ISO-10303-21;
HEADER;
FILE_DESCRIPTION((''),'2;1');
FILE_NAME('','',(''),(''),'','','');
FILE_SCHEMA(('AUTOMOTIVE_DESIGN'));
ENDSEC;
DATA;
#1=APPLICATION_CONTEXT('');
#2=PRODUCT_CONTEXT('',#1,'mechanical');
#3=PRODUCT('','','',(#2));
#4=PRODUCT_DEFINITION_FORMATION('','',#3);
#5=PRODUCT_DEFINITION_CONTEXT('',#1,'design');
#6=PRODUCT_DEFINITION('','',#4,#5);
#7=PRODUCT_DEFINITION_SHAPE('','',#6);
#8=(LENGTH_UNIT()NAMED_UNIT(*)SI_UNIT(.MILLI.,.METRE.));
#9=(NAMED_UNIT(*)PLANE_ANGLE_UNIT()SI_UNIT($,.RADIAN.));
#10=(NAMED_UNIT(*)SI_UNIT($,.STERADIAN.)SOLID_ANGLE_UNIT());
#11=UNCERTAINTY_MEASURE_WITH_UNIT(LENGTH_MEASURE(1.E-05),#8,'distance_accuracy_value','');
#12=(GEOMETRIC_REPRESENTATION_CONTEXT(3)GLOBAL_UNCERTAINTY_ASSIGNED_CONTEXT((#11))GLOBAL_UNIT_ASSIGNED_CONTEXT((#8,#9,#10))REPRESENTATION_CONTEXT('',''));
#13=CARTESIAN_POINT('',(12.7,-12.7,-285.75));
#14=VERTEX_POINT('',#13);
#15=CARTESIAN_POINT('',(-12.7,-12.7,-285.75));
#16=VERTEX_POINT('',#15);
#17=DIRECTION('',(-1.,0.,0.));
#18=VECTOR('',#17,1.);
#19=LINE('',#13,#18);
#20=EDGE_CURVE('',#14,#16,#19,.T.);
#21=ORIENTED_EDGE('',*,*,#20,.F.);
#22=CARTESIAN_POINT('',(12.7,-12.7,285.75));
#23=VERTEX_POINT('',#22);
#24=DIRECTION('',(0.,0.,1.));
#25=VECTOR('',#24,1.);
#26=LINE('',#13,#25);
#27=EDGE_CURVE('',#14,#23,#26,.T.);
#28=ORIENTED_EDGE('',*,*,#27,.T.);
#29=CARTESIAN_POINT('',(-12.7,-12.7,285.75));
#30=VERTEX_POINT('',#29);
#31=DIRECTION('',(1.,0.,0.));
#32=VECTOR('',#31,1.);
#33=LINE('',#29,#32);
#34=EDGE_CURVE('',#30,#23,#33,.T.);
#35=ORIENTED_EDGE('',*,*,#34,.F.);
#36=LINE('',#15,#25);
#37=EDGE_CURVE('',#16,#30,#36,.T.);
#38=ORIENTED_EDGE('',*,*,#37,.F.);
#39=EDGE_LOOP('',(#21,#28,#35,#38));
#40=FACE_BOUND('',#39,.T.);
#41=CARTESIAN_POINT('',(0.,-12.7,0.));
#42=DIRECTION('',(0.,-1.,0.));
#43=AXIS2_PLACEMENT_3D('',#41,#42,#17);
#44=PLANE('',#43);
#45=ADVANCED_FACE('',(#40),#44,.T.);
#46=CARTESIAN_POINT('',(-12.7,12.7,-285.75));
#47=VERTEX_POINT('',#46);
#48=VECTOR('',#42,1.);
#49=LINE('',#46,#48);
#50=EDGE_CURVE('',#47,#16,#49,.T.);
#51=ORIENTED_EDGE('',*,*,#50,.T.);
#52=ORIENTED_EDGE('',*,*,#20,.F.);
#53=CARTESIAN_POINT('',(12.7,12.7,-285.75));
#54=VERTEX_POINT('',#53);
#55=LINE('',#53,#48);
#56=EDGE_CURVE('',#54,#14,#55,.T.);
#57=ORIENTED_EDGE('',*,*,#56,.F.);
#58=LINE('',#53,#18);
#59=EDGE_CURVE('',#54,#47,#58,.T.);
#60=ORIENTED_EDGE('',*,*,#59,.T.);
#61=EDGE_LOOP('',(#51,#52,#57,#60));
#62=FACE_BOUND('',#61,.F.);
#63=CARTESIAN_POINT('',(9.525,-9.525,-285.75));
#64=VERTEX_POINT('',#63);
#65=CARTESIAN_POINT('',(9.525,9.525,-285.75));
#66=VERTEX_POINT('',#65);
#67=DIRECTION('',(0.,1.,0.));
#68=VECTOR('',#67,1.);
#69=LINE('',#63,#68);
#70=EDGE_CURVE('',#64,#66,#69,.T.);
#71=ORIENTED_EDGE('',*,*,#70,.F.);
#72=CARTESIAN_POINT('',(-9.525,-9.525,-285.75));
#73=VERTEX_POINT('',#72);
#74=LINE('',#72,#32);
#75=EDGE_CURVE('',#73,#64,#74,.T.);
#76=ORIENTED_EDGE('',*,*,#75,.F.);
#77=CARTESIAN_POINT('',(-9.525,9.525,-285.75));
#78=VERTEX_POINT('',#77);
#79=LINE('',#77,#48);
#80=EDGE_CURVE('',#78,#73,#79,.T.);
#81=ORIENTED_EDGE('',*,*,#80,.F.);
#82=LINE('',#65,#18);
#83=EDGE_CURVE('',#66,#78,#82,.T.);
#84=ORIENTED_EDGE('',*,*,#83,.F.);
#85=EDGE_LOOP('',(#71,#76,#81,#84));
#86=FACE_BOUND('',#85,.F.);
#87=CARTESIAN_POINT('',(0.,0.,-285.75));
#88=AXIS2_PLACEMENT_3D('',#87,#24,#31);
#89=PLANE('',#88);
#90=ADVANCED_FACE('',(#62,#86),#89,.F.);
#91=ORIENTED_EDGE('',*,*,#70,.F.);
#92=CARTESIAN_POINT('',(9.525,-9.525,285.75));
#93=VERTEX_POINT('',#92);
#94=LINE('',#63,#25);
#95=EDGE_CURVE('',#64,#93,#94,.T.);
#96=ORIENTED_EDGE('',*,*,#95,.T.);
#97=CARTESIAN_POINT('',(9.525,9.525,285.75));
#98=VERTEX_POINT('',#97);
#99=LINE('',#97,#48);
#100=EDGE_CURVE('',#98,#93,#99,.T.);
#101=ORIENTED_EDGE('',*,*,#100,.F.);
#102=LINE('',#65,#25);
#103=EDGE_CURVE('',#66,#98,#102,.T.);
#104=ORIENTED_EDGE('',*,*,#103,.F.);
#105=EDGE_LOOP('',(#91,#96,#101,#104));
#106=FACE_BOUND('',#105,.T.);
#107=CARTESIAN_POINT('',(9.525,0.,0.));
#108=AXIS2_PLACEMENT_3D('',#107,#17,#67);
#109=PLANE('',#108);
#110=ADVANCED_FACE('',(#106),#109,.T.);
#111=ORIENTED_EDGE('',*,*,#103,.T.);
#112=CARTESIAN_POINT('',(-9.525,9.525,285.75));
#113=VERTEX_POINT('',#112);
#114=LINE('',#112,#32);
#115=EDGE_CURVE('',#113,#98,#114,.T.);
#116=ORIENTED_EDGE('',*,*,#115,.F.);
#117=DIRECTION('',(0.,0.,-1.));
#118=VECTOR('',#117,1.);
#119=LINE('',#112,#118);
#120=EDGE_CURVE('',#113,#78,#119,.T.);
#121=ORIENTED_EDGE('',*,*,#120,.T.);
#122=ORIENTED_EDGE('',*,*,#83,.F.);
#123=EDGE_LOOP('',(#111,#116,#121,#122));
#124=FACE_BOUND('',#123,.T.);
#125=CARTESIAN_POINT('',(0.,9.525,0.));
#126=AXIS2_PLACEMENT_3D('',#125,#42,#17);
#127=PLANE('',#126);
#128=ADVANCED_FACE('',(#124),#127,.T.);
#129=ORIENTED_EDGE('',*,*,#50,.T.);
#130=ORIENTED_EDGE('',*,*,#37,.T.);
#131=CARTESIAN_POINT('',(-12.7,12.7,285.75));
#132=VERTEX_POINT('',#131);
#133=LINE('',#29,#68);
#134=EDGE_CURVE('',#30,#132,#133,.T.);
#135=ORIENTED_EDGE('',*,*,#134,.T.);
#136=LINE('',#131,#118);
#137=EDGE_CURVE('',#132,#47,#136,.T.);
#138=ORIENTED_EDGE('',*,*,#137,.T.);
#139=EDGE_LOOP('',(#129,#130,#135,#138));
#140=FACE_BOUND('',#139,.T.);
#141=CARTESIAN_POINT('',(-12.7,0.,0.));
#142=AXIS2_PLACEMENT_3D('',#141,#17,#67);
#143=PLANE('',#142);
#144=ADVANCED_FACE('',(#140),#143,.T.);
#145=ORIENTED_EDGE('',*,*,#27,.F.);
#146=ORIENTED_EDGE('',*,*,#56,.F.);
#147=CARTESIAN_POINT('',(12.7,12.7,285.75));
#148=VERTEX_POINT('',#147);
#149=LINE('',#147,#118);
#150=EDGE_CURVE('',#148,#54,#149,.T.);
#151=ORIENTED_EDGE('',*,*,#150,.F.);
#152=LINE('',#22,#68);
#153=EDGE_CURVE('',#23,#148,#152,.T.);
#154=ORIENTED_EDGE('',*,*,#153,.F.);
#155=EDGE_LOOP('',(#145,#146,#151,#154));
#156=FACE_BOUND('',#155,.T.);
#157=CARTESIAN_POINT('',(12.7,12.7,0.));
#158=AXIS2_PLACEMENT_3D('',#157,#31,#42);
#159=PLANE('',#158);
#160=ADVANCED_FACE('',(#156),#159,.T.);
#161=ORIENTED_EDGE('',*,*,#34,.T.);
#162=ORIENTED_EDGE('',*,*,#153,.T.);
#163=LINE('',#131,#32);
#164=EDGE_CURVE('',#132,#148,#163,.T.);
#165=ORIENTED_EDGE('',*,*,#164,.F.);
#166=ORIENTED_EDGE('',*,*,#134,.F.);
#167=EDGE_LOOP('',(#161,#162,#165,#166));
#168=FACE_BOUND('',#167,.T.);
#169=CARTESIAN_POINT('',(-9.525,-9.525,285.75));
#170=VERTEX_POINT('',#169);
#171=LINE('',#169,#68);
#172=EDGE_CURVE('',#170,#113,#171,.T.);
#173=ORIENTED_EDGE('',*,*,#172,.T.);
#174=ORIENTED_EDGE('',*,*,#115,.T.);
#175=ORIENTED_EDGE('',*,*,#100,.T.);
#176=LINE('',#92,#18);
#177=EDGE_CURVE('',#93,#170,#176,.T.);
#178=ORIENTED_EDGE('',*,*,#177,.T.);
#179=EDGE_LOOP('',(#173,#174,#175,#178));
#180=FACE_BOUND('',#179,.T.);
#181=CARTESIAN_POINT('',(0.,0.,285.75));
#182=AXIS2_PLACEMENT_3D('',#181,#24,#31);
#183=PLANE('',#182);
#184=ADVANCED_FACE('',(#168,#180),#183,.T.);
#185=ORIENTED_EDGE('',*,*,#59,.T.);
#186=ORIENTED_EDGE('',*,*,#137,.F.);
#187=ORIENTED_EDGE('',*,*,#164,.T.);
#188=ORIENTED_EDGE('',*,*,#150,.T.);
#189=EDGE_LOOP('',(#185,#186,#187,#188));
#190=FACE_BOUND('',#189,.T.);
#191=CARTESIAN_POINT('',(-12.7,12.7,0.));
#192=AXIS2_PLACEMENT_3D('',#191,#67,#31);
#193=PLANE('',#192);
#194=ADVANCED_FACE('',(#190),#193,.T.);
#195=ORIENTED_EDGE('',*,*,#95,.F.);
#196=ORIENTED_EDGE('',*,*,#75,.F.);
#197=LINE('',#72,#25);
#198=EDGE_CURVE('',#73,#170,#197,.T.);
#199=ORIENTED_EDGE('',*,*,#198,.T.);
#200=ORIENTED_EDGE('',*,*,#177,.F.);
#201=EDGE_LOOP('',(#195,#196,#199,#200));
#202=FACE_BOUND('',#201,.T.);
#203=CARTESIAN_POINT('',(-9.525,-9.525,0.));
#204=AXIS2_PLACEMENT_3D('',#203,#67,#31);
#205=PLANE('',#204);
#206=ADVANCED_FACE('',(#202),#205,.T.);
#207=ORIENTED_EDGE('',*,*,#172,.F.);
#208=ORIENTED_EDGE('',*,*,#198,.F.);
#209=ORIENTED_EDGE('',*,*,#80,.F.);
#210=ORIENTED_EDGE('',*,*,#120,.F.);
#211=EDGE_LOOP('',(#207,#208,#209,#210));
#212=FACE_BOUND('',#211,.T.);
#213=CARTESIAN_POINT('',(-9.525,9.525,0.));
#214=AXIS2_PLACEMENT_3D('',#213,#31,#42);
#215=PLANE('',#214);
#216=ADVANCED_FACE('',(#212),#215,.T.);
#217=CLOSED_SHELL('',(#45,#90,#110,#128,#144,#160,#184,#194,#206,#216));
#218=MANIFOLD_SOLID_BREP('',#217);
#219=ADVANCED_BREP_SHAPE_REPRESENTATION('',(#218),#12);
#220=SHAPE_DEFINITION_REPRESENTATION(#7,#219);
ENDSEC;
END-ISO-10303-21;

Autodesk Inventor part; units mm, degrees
ref_plane "YZ Plane" through (0, 0, 0) normal (1, 0, 0) x (0, 1, 0)
ref_plane "XZ Plane" through (0, 0, 0) normal (0, 1, 0) x (-1, 0, 0)
ref_plane "XY Plane" through (0, 0, 0) normal (0, 0, 1) x (1, 0, 0)
sketch "Sketch1" plane through (0, 0, 0) normal (0, 0, 1) x (1, 0, 0)
  line L0 (-17.78, 0) -> (17.78, 0) projected
  line L1 (0, -17.78) -> (0, 17.78) projected
  line L2 (-12.7, 12.7) -> (12.7, 12.7)
  line L3 (12.7, 12.7) -> (12.7, -12.7)
  line L4 (12.7, -12.7) -> (-12.7, -12.7)
  line L5 (-12.7, -12.7) -> (-12.7, 12.7)
  line L6 (9.525, 9.525) -> (-9.525, 9.525)
  line L7 (-9.525, 9.525) -> (-9.525, -9.525)
  line L8 (-9.525, -9.525) -> (9.525, -9.525)
  line L9 (9.525, -9.525) -> (9.525, 9.525)
  point P0 (0, 0)
  point P1 (-12.7, 0)
  point P2 (0, 12.7)
  dimension "d0" = 25.4
  dimension "d1" = 3.175
extrude "Extrusion1" add sketch "Sketch1" along normal mid plane 571.5 contours L5 L2 L1 L6 L7 L0 | L0 L7 L8 L1 L4 L5 | L1 L8 L9 L0 L3 L4 | L2 L3 L0 L9 L6 L1
properties part number "tubing_template_0.125" material "Aluminum-6061"
